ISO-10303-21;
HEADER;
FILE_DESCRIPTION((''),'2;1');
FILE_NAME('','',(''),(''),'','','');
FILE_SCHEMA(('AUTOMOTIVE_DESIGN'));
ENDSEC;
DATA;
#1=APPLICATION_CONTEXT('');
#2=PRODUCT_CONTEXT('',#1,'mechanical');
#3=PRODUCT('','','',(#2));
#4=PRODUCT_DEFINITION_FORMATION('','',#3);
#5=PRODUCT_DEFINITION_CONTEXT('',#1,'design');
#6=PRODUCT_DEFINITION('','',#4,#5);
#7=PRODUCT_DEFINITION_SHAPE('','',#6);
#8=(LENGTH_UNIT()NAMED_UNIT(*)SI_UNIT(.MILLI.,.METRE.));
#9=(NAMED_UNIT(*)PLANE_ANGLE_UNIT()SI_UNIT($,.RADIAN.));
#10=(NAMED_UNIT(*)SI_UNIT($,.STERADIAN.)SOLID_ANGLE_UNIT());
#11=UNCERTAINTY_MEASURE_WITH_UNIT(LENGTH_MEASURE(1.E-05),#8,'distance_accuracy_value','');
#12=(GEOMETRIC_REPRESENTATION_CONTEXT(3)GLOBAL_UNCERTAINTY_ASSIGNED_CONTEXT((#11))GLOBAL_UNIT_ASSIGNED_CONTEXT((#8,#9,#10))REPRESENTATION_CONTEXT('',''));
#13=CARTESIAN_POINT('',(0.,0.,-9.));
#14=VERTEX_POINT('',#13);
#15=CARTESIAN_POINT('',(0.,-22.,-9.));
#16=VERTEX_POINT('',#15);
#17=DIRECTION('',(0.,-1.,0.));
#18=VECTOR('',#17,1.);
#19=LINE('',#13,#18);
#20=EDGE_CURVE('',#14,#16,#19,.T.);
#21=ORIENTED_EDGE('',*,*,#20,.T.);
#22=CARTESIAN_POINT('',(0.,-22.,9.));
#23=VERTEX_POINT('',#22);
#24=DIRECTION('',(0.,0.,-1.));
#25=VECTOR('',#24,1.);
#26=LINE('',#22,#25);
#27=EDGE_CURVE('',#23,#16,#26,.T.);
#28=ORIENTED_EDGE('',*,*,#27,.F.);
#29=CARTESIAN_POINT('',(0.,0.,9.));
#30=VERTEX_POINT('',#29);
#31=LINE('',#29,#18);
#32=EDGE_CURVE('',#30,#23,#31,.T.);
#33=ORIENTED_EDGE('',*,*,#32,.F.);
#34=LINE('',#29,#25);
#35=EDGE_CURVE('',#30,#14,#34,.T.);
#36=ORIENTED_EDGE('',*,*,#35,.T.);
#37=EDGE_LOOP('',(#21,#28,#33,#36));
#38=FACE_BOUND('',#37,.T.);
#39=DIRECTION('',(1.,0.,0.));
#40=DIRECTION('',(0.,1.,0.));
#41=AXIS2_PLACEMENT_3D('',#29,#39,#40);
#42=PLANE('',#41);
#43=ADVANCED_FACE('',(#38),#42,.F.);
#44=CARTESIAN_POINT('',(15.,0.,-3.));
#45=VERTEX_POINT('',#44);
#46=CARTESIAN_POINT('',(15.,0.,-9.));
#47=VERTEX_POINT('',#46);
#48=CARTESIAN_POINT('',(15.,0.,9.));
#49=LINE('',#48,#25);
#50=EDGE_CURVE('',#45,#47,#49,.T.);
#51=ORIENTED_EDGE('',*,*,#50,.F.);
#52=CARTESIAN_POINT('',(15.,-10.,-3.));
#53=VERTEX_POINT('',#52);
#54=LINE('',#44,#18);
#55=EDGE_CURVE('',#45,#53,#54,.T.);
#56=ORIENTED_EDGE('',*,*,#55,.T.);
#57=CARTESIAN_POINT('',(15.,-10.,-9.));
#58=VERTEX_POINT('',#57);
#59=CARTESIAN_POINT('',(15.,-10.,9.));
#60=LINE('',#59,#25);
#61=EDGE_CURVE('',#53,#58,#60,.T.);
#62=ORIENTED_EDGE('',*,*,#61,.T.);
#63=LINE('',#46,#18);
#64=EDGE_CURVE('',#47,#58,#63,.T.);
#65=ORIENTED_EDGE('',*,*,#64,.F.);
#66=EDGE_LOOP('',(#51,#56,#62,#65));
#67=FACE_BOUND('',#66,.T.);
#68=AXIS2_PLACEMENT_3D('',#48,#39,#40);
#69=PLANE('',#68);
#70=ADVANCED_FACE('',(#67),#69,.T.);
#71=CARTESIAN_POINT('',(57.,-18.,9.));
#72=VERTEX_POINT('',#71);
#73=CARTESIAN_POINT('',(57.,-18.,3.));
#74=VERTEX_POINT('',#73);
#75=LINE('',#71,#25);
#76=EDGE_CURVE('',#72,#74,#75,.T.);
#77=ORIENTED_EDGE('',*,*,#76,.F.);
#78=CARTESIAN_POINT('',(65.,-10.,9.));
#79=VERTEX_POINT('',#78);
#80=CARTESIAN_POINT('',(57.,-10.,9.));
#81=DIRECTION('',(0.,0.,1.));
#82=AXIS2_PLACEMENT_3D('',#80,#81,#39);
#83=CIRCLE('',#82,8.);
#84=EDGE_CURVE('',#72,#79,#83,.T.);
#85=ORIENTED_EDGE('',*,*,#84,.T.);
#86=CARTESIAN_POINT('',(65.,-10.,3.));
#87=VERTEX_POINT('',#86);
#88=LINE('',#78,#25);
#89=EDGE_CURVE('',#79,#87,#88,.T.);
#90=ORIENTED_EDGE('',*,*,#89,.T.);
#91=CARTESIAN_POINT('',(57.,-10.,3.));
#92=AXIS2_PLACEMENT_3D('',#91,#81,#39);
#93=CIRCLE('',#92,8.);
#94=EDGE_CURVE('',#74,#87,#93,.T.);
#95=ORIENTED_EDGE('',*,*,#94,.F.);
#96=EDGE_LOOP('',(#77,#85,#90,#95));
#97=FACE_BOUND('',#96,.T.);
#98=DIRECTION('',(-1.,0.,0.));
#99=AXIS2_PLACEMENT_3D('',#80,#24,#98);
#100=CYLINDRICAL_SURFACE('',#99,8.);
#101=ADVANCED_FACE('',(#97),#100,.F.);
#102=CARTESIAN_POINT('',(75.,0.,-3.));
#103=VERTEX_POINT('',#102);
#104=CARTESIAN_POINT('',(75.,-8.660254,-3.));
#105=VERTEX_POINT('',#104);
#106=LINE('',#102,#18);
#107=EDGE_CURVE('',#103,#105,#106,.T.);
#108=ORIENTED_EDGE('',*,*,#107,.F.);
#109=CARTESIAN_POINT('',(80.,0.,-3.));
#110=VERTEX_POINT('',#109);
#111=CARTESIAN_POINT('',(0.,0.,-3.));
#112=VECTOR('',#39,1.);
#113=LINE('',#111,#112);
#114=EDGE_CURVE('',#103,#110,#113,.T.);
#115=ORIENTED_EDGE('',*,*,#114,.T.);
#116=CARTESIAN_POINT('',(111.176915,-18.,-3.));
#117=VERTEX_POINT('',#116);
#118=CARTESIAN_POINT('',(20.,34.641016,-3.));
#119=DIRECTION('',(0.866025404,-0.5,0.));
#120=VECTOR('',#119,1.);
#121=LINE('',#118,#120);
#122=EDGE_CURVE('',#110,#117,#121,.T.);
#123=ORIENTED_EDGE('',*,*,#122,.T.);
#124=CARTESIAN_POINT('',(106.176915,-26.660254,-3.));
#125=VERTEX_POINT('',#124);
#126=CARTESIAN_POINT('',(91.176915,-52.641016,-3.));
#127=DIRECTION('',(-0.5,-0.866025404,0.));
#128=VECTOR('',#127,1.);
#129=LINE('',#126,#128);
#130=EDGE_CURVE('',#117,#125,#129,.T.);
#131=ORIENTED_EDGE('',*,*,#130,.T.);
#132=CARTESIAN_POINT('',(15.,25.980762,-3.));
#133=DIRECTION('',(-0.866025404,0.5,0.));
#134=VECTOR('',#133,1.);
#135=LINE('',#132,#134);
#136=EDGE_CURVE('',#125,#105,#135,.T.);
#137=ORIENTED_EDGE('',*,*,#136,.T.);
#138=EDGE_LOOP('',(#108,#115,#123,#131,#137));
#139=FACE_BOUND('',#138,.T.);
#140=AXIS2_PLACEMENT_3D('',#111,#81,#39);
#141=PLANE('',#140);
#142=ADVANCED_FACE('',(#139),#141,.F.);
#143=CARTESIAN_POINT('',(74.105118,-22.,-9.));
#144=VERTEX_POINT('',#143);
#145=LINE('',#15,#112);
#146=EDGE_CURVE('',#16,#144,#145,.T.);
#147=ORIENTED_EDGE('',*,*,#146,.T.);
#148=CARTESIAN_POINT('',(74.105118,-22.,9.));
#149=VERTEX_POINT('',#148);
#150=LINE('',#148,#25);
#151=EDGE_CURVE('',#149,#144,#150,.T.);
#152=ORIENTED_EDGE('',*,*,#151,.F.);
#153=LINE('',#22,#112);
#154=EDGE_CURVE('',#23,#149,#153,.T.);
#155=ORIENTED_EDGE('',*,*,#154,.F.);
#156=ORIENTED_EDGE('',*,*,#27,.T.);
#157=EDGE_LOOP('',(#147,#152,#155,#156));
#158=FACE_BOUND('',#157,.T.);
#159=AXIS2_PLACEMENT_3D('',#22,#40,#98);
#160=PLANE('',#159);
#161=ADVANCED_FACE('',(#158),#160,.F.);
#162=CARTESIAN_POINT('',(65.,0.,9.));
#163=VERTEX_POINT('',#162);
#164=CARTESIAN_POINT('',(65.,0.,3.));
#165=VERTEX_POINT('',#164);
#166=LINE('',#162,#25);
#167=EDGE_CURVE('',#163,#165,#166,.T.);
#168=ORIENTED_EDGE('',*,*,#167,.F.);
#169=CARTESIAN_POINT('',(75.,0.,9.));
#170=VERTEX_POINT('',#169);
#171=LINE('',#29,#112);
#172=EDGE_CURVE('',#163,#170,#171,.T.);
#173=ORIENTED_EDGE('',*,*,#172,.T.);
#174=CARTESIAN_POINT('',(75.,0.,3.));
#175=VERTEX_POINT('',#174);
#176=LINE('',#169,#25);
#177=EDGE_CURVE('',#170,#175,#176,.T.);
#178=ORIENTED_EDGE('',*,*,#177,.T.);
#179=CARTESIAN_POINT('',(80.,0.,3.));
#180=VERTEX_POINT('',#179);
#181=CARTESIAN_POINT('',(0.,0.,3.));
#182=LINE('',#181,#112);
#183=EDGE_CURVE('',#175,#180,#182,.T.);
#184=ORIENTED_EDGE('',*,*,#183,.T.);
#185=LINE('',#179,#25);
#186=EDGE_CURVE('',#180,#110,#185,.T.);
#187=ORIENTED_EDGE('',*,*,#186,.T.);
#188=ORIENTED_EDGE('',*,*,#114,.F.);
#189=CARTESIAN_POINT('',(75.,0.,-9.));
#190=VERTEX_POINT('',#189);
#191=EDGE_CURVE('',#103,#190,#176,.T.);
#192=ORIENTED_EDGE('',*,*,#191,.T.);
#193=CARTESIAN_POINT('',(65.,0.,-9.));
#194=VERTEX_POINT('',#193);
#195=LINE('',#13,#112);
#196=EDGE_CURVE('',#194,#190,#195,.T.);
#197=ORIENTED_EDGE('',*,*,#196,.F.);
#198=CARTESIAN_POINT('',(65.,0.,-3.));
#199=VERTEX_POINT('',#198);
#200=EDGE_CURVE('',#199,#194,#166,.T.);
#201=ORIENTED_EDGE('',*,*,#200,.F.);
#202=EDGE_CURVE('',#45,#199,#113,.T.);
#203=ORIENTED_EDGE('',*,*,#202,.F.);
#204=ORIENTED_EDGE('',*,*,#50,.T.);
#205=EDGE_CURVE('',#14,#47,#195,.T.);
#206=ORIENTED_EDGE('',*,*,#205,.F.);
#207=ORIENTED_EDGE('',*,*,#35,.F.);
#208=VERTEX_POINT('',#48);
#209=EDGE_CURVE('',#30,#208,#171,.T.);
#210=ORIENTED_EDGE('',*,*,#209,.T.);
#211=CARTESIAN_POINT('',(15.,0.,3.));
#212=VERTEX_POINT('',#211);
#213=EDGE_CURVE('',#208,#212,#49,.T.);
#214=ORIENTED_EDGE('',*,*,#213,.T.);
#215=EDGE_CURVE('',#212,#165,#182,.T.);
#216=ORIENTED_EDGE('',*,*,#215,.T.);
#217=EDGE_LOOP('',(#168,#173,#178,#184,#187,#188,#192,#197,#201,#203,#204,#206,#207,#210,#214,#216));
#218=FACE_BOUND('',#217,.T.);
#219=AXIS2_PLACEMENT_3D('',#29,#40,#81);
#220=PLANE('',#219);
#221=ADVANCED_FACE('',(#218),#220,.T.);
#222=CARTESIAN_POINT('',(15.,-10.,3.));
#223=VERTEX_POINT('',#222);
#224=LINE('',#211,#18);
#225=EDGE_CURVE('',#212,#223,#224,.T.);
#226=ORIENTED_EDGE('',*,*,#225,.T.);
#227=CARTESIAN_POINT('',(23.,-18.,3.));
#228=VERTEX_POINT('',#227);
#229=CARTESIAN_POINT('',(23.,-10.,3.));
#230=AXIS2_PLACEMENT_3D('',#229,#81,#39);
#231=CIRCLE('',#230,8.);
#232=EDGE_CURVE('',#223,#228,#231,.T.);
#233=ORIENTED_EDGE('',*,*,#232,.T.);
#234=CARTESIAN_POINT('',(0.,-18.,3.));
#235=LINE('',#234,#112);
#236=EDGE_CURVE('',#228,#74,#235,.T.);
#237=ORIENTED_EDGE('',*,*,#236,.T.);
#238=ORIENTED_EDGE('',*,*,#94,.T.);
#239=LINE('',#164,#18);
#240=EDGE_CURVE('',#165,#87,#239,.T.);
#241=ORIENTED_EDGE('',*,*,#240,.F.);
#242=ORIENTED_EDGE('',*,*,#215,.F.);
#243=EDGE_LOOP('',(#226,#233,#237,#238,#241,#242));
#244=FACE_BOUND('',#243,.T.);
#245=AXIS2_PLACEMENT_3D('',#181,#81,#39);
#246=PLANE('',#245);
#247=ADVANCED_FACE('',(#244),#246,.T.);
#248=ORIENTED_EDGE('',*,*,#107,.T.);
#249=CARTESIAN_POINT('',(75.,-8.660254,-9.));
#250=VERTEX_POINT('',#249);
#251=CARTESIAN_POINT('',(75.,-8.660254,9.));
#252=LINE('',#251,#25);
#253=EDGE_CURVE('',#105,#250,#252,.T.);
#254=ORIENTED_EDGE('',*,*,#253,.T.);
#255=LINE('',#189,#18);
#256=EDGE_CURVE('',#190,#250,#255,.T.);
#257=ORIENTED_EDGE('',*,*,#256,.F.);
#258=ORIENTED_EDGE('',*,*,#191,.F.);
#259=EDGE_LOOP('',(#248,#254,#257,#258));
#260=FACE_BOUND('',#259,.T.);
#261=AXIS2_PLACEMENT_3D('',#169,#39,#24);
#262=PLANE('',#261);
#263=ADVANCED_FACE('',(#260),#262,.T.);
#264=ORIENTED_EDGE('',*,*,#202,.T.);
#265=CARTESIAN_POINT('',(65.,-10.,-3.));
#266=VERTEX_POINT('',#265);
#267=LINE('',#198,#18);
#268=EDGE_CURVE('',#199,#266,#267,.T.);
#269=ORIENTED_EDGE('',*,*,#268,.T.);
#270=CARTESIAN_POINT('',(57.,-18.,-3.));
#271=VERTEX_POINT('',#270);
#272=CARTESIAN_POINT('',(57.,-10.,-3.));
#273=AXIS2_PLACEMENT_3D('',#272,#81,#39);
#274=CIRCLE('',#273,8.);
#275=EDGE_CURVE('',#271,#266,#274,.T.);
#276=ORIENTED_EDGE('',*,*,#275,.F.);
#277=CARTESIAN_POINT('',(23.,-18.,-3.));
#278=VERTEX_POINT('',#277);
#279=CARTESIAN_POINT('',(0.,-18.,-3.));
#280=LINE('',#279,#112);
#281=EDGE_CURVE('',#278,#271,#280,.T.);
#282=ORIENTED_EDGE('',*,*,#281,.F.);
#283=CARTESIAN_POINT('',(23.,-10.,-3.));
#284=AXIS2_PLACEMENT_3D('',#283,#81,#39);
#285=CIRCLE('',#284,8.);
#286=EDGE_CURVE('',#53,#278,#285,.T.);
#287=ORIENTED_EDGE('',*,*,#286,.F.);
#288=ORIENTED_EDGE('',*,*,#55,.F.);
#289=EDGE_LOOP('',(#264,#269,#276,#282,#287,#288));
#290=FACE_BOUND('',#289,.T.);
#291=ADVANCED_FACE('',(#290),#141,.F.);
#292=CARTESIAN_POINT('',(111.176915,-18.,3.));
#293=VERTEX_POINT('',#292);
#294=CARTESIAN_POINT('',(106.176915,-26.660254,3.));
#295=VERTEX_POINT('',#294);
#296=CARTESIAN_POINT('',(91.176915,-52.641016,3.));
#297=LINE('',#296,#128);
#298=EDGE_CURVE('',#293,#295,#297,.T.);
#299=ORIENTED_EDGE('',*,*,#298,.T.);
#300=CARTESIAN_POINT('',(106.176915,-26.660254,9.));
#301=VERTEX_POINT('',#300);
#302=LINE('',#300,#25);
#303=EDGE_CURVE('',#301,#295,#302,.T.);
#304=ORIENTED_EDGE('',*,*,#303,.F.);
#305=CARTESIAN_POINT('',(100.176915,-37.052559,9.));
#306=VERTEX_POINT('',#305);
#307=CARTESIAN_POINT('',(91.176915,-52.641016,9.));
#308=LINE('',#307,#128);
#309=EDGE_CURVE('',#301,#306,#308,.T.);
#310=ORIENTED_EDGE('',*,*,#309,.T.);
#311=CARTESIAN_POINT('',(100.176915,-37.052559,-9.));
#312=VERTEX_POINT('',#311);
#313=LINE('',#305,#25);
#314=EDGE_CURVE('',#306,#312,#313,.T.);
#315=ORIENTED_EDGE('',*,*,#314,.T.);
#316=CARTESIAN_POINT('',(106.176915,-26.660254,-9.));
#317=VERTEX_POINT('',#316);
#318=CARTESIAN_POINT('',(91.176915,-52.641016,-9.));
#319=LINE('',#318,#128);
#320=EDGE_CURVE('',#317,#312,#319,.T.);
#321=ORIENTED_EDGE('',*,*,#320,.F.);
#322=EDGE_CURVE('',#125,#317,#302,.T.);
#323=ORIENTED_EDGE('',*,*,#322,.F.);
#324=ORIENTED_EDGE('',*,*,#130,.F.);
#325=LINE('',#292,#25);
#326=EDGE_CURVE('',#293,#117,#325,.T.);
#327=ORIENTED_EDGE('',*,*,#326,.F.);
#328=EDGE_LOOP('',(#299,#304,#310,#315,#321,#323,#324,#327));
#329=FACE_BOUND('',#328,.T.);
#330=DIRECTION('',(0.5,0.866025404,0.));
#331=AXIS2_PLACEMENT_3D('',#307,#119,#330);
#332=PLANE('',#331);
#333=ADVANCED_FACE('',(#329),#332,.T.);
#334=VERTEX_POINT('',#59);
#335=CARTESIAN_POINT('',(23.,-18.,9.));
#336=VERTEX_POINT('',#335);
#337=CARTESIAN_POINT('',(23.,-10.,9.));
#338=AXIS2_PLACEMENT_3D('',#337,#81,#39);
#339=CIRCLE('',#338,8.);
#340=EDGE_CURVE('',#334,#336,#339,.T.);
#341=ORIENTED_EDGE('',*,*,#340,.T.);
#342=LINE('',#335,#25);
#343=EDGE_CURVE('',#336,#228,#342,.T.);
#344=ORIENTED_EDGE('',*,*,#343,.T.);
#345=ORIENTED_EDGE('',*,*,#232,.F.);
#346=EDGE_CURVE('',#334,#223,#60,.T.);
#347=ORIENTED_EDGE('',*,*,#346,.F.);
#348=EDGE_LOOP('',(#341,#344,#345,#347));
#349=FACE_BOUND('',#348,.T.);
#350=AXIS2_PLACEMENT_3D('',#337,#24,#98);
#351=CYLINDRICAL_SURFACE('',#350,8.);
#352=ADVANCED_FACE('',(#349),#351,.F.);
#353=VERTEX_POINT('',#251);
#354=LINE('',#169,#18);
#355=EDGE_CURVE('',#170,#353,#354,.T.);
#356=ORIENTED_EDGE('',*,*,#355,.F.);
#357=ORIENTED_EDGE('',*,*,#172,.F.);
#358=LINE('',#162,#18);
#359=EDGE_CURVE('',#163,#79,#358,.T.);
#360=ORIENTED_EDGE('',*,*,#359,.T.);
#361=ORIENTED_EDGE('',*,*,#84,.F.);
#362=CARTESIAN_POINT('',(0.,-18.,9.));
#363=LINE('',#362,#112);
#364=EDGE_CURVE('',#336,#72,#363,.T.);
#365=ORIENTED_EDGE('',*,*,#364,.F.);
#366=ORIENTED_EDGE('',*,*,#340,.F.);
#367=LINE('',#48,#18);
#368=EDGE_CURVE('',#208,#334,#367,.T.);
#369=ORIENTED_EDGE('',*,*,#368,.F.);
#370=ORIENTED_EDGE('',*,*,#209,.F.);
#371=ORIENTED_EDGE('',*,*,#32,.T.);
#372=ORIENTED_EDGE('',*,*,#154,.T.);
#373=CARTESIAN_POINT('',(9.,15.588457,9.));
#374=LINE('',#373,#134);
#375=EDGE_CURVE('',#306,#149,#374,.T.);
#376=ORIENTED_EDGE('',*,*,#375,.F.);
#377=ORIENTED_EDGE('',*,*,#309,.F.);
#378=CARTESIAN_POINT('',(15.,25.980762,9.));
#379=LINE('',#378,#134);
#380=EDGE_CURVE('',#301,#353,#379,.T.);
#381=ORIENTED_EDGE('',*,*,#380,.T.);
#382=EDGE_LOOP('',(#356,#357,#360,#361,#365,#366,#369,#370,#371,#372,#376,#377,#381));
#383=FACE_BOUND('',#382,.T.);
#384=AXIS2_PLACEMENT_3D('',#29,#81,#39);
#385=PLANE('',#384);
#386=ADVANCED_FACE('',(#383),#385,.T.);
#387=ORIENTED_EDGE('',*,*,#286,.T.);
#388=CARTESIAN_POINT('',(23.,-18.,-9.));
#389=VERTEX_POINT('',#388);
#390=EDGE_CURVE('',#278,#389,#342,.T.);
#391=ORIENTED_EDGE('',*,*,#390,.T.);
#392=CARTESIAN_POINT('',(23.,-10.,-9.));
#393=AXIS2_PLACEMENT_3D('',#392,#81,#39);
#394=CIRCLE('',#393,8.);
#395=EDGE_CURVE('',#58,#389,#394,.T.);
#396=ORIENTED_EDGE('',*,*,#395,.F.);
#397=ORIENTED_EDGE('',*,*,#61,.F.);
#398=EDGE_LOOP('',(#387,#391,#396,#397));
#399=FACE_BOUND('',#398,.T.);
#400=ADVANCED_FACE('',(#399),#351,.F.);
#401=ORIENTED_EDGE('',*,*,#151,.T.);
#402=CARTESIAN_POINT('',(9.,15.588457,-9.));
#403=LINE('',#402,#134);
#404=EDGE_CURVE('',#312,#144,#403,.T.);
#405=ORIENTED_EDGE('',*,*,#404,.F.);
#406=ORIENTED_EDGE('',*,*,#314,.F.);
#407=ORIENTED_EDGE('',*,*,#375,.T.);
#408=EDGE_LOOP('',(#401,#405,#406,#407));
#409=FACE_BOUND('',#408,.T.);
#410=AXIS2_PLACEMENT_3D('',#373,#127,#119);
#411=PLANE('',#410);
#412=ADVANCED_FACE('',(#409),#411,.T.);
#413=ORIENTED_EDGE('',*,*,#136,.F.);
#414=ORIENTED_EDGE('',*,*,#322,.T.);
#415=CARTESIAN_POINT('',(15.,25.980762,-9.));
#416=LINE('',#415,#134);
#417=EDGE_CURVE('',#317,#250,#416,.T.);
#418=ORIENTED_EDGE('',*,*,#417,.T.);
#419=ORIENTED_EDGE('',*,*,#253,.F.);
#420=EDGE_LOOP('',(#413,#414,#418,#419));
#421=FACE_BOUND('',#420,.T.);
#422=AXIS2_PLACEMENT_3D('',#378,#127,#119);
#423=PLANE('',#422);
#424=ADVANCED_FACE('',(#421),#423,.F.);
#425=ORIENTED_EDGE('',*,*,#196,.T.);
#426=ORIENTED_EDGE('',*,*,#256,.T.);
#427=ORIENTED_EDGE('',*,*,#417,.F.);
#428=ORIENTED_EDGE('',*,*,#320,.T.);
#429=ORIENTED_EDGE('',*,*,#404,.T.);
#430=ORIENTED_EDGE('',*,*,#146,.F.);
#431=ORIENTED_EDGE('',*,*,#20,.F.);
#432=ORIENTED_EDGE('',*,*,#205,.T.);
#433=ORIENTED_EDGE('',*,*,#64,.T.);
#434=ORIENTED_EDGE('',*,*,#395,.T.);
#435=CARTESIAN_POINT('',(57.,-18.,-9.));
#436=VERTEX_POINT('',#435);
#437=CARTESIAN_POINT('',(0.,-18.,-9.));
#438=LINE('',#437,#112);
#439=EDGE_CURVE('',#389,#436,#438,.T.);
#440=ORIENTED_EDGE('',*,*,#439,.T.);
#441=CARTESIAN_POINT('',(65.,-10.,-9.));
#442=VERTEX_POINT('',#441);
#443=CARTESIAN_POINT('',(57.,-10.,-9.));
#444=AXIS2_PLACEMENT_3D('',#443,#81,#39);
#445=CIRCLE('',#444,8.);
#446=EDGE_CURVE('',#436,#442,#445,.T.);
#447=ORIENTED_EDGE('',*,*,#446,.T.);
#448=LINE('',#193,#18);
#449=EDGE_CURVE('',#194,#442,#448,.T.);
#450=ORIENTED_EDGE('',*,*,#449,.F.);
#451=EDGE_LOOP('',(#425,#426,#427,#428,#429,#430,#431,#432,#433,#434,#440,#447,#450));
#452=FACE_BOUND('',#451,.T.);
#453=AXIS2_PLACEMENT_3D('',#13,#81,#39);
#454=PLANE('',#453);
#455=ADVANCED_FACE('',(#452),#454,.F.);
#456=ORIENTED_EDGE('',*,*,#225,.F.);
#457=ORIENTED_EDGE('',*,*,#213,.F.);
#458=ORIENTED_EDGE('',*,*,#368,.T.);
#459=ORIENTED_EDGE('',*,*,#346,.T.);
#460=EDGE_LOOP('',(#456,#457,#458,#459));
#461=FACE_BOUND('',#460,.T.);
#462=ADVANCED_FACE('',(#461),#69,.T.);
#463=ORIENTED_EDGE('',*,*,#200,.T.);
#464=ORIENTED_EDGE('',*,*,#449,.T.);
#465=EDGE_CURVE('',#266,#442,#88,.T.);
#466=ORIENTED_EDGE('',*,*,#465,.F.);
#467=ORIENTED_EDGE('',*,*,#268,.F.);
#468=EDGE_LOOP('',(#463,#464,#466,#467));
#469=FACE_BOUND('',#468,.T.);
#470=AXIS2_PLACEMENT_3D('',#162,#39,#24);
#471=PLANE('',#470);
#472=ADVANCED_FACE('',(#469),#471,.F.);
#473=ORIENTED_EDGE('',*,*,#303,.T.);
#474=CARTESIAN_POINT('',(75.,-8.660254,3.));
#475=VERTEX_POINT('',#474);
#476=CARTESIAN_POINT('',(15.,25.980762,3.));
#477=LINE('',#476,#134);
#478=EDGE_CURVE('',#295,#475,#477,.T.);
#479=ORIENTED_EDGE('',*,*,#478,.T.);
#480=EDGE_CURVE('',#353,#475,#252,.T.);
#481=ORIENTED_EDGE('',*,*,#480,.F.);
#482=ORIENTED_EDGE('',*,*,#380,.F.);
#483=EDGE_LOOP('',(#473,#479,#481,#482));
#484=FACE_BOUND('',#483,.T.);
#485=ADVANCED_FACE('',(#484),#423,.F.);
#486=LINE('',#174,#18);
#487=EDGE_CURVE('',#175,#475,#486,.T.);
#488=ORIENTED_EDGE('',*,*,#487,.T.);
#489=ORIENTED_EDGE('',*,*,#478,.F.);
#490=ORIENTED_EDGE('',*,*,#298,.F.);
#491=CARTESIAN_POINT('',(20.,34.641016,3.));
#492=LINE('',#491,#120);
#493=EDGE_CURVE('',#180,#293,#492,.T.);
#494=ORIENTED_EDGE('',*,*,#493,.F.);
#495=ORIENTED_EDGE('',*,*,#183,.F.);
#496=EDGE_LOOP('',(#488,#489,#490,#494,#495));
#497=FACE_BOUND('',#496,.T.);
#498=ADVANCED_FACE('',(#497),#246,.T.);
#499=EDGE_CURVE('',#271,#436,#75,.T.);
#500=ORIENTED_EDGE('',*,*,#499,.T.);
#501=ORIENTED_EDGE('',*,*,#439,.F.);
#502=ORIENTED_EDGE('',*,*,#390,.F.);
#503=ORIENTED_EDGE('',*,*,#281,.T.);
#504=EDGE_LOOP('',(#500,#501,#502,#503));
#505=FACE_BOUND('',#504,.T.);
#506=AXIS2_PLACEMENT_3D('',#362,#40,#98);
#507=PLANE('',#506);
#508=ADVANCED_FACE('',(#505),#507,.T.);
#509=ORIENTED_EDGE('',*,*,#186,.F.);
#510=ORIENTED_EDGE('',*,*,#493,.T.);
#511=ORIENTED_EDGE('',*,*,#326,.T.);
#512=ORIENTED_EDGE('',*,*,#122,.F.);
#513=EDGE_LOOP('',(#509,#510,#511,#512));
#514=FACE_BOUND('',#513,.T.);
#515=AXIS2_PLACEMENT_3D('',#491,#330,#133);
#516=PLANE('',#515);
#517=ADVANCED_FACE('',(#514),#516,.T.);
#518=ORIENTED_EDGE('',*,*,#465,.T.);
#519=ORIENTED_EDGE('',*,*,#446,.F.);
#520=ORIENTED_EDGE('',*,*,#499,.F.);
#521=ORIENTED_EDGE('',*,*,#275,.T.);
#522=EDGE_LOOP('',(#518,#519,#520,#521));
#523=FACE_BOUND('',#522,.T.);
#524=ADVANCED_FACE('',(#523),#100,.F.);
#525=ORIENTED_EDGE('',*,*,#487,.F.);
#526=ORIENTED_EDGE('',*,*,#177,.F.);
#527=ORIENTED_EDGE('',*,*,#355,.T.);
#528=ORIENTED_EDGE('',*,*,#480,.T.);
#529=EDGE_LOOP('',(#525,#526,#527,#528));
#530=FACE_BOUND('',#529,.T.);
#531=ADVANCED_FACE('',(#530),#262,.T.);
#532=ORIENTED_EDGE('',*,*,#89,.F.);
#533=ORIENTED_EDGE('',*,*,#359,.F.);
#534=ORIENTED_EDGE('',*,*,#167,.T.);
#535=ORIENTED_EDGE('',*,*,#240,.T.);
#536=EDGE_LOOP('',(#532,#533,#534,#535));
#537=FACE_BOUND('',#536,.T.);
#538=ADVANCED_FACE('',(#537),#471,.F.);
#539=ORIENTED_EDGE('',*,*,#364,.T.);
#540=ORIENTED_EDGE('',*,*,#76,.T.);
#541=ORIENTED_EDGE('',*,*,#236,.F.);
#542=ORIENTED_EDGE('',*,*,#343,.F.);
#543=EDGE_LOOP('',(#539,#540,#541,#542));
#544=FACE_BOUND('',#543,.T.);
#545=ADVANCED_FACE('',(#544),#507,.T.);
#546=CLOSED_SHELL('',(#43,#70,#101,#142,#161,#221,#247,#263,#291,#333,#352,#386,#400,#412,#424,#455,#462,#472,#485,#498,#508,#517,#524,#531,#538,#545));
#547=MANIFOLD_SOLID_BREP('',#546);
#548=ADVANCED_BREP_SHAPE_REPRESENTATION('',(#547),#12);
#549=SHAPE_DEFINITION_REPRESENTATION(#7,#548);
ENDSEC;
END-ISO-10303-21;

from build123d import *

# Parameters (mm, degrees)
EXTRUDE_1_DEPTH = 9
EXTRUDE_2_DEPTH = 3


with BuildPart() as part:
    # 스케치1 → 보스-돌출1 (new, symmetric)
    with BuildSketch(Plane.XY):
        with BuildLine():
            Line((75, -8.660254038), (75, 0))
            Line((75, 0), (65, 0))
            Line((65, 0), (65, -10))
            ThreePointArc((65, -10), (62.656854249, -15.656854249), (57, -18))
            Line((57, -18), (23, -18))
            ThreePointArc((23, -18), (17.343145751, -15.656854249), (15, -10))
            Line((15, -10), (15, 0))
            Line((15, 0), (0, 0))
            Line((0, 0), (0, -22))
            Line((0, -22), (74.105117767, -22))
            Line((74.105117767, -22), (100.176914536, -37.052558883))
            Line((100.176914536, -37.052558883), (106.176914536, -26.660254038))
            Line((106.176914536, -26.660254038), (75, -8.660254038))
        make_face()
    extrude(amount=EXTRUDE_1_DEPTH, both=True)

    # 스케치1<3> → 보스-돌출2 (add, symmetric)
    with BuildSketch(Plane.XY):
        Polygon((80, 0), (75, 0), (75, -8.660254038), (106.176914536, -26.660254038), (111.176914536, -18), align=None)
        with BuildLine():
            Line((65, -10), (65, 0))
            Line((65, 0), (15, 0))
            Line((15, 0), (15, -10))
            ThreePointArc((15, -10), (17.343145751, -15.656854249), (23, -18))
            Line((23, -18), (57, -18))
            ThreePointArc((57, -18), (62.656854249, -15.656854249), (65, -10))
        make_face()
    extrude(amount=EXTRUDE_2_DEPTH, both=True)


solid = part.part
